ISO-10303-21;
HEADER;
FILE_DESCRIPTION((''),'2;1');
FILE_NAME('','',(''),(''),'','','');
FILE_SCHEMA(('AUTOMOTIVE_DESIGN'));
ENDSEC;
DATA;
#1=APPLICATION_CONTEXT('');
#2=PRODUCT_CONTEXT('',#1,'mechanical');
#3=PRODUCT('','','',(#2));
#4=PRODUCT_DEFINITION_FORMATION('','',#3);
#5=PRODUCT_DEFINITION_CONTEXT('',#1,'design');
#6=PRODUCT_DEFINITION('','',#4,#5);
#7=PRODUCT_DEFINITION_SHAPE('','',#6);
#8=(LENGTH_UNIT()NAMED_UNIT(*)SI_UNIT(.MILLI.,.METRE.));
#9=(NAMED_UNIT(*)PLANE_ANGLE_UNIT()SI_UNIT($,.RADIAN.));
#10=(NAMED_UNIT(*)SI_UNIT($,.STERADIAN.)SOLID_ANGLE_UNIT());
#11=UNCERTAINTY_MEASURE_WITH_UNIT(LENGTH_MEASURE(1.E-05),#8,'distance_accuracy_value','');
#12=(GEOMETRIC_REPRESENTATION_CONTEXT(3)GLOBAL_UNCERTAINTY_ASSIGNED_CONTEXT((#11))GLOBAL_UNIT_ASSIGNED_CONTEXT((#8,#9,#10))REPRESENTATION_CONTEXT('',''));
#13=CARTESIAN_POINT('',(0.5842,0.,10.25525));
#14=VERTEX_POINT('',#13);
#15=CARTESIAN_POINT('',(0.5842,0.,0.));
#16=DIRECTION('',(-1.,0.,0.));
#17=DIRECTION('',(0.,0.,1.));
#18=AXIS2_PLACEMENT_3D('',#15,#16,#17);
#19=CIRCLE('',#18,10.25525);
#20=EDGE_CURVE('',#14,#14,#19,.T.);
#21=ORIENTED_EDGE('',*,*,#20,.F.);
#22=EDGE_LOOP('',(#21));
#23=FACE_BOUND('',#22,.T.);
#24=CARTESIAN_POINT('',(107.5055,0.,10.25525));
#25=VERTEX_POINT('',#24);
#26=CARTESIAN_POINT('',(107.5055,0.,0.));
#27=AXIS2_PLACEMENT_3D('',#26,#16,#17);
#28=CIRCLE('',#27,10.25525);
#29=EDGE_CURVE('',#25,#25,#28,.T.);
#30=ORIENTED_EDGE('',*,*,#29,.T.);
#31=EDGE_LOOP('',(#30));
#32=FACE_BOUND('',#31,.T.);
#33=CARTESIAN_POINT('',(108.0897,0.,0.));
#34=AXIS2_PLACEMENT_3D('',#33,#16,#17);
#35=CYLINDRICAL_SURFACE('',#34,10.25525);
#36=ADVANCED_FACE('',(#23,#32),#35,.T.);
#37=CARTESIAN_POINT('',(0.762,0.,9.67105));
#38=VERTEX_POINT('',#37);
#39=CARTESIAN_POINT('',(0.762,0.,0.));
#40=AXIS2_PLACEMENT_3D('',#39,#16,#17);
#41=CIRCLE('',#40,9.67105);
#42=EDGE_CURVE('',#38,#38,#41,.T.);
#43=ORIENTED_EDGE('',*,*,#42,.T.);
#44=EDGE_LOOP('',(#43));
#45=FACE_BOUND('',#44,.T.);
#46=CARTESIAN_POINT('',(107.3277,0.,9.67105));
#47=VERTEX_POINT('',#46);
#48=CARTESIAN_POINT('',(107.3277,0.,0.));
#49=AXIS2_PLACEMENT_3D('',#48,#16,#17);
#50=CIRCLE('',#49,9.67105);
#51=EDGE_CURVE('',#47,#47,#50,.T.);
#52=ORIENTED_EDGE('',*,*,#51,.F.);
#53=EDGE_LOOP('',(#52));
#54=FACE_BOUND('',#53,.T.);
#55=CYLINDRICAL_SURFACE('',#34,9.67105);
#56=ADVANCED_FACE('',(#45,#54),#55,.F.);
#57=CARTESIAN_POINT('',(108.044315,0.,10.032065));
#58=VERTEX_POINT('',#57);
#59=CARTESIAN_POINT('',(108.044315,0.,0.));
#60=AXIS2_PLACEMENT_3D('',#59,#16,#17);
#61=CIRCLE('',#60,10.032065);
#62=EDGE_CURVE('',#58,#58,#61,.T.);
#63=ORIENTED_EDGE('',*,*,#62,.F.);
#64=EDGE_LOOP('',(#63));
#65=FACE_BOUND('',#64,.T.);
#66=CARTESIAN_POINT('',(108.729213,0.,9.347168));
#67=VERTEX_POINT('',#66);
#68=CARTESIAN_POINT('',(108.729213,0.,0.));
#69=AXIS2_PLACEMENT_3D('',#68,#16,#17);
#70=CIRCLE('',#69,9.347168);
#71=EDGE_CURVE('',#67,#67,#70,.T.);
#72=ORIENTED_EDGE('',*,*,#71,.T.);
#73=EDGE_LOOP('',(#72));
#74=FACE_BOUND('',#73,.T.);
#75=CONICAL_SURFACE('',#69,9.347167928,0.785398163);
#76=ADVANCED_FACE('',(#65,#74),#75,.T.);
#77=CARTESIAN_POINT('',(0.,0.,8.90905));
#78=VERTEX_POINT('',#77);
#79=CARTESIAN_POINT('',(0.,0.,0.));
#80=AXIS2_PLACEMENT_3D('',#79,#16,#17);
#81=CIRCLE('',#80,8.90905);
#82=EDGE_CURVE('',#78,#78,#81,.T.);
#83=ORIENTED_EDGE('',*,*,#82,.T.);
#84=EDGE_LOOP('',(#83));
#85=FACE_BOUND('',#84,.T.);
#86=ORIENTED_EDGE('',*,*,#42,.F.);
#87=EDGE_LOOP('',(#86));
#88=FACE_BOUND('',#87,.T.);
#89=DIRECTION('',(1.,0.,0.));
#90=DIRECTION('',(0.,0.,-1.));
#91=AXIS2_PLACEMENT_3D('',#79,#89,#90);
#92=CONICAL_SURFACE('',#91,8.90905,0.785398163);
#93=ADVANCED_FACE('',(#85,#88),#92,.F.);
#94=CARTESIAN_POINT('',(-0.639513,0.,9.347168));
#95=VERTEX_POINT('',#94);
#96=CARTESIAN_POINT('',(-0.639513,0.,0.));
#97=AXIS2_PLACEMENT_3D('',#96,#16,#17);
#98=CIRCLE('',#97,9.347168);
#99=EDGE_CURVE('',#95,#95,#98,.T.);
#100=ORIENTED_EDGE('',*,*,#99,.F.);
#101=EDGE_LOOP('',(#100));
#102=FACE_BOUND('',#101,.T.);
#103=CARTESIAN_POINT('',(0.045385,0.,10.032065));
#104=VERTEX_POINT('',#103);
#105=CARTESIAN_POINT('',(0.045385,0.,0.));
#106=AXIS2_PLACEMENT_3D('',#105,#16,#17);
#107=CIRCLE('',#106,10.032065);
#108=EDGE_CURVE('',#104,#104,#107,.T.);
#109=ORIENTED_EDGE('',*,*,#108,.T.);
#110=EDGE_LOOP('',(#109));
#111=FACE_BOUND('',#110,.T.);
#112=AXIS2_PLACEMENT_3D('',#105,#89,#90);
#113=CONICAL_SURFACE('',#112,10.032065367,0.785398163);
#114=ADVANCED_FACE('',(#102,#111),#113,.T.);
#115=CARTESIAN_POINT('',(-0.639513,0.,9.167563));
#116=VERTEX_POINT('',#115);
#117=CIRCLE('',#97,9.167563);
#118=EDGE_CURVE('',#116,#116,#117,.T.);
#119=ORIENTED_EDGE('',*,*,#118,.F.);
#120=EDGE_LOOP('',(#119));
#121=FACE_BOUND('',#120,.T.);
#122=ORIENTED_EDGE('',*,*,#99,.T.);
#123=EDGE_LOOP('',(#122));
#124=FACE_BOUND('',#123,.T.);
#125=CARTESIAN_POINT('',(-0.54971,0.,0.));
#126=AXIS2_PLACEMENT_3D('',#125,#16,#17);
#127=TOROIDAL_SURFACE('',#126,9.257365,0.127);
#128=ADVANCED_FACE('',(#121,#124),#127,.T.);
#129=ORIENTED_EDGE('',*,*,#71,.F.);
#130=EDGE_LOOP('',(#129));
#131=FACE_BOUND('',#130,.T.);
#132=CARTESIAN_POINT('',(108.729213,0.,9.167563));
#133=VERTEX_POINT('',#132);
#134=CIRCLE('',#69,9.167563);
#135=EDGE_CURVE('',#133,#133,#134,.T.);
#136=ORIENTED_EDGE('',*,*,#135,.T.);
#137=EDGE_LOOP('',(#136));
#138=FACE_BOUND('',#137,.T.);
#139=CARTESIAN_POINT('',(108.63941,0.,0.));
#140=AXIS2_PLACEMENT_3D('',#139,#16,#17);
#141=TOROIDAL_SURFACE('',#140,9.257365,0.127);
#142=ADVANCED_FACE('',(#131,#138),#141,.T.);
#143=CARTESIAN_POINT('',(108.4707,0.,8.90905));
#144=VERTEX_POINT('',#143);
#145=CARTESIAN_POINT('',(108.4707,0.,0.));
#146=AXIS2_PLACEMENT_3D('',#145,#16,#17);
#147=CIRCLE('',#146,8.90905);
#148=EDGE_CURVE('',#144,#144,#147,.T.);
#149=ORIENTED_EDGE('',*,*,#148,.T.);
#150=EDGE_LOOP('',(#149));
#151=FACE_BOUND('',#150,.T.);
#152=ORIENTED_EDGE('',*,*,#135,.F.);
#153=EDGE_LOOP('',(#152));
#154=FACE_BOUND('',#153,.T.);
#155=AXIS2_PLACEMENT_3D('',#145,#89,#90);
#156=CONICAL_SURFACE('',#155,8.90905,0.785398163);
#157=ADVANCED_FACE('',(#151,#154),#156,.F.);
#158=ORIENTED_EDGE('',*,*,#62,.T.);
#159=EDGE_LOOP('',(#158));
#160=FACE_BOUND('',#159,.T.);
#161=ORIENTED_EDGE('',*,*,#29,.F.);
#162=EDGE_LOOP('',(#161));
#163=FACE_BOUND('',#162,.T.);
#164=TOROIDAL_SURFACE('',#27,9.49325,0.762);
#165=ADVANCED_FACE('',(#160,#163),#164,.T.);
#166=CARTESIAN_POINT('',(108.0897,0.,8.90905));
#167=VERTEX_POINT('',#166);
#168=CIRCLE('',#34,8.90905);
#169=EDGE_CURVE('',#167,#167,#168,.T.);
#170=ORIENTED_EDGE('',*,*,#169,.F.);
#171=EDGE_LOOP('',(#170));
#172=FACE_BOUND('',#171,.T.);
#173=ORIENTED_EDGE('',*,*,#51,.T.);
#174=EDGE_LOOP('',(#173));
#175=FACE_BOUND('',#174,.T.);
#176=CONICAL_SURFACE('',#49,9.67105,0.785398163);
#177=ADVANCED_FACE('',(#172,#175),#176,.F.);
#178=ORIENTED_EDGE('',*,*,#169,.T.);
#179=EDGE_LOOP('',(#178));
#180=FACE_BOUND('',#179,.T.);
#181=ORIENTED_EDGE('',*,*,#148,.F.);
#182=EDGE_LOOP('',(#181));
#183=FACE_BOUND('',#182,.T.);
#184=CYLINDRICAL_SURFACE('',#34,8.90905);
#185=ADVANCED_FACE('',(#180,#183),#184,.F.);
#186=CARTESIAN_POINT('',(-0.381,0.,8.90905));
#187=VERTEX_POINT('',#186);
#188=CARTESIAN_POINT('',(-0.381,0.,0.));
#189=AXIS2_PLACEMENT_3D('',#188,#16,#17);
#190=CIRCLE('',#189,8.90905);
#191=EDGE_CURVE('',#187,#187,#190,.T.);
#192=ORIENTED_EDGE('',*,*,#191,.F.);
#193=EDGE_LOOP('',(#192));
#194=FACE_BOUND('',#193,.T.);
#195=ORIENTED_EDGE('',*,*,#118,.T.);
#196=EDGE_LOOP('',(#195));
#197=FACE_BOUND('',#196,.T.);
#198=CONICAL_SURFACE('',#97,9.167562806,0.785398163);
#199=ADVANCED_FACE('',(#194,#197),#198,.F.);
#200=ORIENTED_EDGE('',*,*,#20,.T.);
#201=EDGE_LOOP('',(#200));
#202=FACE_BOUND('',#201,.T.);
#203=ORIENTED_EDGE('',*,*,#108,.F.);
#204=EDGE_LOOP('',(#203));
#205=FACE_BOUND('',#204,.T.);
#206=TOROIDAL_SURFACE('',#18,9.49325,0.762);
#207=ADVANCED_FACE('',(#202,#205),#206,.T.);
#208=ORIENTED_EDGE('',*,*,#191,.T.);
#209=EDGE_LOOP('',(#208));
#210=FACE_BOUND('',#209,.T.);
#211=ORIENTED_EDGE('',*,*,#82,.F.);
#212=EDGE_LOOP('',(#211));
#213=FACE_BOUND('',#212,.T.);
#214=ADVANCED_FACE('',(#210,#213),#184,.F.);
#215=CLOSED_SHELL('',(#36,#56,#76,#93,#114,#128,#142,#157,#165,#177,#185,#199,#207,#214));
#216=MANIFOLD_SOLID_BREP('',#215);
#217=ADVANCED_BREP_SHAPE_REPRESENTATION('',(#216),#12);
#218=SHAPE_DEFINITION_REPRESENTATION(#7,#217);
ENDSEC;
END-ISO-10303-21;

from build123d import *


with BuildPart() as part:
    # Sketch1 → Revolve1 (revolve)
    with BuildSketch(Plane.XY):
        with BuildLine():
            Line((-0.639512806, 9.167562806), (-0.381, 8.90905))
            Line((-0.381, 8.90905), (0, 8.90905))
            Line((0, 8.90905), (0.762, 9.67105))
            Line((0.762, 9.67105), (107.3277, 9.67105))
            Line((107.3277, 9.67105), (108.0897, 8.90905))
            Line((108.0897, 8.90905), (108.4707, 8.90905))
            Line((108.4707, 8.90905), (108.729212806, 9.167562806))
            ThreePointArc((108.729212806, 9.167562806), (108.766410245, 9.257365367), (108.729212806, 9.347167928))
            Line((108.729212806, 9.347167928), (108.044315367, 10.032065367))
            ThreePointArc((108.044315367, 10.032065367), (107.797104775, 10.197246204), (107.5055, 10.25525))
            Line((107.5055, 10.25525), (0.5842, 10.25525))
            ThreePointArc((0.5842, 10.25525), (0.292595225, 10.197246204), (0.045384633, 10.032065367))
            Line((0.045384633, 10.032065367), (-0.639512806, 9.347167928))
            ThreePointArc((-0.639512806, 9.347167928), (-0.676710245, 9.257365367), (-0.639512806, 9.167562806))
        make_face()
    revolve(axis=Axis((108.0897, 0, 0), (-1, 0, 0)))


solid = part.part
